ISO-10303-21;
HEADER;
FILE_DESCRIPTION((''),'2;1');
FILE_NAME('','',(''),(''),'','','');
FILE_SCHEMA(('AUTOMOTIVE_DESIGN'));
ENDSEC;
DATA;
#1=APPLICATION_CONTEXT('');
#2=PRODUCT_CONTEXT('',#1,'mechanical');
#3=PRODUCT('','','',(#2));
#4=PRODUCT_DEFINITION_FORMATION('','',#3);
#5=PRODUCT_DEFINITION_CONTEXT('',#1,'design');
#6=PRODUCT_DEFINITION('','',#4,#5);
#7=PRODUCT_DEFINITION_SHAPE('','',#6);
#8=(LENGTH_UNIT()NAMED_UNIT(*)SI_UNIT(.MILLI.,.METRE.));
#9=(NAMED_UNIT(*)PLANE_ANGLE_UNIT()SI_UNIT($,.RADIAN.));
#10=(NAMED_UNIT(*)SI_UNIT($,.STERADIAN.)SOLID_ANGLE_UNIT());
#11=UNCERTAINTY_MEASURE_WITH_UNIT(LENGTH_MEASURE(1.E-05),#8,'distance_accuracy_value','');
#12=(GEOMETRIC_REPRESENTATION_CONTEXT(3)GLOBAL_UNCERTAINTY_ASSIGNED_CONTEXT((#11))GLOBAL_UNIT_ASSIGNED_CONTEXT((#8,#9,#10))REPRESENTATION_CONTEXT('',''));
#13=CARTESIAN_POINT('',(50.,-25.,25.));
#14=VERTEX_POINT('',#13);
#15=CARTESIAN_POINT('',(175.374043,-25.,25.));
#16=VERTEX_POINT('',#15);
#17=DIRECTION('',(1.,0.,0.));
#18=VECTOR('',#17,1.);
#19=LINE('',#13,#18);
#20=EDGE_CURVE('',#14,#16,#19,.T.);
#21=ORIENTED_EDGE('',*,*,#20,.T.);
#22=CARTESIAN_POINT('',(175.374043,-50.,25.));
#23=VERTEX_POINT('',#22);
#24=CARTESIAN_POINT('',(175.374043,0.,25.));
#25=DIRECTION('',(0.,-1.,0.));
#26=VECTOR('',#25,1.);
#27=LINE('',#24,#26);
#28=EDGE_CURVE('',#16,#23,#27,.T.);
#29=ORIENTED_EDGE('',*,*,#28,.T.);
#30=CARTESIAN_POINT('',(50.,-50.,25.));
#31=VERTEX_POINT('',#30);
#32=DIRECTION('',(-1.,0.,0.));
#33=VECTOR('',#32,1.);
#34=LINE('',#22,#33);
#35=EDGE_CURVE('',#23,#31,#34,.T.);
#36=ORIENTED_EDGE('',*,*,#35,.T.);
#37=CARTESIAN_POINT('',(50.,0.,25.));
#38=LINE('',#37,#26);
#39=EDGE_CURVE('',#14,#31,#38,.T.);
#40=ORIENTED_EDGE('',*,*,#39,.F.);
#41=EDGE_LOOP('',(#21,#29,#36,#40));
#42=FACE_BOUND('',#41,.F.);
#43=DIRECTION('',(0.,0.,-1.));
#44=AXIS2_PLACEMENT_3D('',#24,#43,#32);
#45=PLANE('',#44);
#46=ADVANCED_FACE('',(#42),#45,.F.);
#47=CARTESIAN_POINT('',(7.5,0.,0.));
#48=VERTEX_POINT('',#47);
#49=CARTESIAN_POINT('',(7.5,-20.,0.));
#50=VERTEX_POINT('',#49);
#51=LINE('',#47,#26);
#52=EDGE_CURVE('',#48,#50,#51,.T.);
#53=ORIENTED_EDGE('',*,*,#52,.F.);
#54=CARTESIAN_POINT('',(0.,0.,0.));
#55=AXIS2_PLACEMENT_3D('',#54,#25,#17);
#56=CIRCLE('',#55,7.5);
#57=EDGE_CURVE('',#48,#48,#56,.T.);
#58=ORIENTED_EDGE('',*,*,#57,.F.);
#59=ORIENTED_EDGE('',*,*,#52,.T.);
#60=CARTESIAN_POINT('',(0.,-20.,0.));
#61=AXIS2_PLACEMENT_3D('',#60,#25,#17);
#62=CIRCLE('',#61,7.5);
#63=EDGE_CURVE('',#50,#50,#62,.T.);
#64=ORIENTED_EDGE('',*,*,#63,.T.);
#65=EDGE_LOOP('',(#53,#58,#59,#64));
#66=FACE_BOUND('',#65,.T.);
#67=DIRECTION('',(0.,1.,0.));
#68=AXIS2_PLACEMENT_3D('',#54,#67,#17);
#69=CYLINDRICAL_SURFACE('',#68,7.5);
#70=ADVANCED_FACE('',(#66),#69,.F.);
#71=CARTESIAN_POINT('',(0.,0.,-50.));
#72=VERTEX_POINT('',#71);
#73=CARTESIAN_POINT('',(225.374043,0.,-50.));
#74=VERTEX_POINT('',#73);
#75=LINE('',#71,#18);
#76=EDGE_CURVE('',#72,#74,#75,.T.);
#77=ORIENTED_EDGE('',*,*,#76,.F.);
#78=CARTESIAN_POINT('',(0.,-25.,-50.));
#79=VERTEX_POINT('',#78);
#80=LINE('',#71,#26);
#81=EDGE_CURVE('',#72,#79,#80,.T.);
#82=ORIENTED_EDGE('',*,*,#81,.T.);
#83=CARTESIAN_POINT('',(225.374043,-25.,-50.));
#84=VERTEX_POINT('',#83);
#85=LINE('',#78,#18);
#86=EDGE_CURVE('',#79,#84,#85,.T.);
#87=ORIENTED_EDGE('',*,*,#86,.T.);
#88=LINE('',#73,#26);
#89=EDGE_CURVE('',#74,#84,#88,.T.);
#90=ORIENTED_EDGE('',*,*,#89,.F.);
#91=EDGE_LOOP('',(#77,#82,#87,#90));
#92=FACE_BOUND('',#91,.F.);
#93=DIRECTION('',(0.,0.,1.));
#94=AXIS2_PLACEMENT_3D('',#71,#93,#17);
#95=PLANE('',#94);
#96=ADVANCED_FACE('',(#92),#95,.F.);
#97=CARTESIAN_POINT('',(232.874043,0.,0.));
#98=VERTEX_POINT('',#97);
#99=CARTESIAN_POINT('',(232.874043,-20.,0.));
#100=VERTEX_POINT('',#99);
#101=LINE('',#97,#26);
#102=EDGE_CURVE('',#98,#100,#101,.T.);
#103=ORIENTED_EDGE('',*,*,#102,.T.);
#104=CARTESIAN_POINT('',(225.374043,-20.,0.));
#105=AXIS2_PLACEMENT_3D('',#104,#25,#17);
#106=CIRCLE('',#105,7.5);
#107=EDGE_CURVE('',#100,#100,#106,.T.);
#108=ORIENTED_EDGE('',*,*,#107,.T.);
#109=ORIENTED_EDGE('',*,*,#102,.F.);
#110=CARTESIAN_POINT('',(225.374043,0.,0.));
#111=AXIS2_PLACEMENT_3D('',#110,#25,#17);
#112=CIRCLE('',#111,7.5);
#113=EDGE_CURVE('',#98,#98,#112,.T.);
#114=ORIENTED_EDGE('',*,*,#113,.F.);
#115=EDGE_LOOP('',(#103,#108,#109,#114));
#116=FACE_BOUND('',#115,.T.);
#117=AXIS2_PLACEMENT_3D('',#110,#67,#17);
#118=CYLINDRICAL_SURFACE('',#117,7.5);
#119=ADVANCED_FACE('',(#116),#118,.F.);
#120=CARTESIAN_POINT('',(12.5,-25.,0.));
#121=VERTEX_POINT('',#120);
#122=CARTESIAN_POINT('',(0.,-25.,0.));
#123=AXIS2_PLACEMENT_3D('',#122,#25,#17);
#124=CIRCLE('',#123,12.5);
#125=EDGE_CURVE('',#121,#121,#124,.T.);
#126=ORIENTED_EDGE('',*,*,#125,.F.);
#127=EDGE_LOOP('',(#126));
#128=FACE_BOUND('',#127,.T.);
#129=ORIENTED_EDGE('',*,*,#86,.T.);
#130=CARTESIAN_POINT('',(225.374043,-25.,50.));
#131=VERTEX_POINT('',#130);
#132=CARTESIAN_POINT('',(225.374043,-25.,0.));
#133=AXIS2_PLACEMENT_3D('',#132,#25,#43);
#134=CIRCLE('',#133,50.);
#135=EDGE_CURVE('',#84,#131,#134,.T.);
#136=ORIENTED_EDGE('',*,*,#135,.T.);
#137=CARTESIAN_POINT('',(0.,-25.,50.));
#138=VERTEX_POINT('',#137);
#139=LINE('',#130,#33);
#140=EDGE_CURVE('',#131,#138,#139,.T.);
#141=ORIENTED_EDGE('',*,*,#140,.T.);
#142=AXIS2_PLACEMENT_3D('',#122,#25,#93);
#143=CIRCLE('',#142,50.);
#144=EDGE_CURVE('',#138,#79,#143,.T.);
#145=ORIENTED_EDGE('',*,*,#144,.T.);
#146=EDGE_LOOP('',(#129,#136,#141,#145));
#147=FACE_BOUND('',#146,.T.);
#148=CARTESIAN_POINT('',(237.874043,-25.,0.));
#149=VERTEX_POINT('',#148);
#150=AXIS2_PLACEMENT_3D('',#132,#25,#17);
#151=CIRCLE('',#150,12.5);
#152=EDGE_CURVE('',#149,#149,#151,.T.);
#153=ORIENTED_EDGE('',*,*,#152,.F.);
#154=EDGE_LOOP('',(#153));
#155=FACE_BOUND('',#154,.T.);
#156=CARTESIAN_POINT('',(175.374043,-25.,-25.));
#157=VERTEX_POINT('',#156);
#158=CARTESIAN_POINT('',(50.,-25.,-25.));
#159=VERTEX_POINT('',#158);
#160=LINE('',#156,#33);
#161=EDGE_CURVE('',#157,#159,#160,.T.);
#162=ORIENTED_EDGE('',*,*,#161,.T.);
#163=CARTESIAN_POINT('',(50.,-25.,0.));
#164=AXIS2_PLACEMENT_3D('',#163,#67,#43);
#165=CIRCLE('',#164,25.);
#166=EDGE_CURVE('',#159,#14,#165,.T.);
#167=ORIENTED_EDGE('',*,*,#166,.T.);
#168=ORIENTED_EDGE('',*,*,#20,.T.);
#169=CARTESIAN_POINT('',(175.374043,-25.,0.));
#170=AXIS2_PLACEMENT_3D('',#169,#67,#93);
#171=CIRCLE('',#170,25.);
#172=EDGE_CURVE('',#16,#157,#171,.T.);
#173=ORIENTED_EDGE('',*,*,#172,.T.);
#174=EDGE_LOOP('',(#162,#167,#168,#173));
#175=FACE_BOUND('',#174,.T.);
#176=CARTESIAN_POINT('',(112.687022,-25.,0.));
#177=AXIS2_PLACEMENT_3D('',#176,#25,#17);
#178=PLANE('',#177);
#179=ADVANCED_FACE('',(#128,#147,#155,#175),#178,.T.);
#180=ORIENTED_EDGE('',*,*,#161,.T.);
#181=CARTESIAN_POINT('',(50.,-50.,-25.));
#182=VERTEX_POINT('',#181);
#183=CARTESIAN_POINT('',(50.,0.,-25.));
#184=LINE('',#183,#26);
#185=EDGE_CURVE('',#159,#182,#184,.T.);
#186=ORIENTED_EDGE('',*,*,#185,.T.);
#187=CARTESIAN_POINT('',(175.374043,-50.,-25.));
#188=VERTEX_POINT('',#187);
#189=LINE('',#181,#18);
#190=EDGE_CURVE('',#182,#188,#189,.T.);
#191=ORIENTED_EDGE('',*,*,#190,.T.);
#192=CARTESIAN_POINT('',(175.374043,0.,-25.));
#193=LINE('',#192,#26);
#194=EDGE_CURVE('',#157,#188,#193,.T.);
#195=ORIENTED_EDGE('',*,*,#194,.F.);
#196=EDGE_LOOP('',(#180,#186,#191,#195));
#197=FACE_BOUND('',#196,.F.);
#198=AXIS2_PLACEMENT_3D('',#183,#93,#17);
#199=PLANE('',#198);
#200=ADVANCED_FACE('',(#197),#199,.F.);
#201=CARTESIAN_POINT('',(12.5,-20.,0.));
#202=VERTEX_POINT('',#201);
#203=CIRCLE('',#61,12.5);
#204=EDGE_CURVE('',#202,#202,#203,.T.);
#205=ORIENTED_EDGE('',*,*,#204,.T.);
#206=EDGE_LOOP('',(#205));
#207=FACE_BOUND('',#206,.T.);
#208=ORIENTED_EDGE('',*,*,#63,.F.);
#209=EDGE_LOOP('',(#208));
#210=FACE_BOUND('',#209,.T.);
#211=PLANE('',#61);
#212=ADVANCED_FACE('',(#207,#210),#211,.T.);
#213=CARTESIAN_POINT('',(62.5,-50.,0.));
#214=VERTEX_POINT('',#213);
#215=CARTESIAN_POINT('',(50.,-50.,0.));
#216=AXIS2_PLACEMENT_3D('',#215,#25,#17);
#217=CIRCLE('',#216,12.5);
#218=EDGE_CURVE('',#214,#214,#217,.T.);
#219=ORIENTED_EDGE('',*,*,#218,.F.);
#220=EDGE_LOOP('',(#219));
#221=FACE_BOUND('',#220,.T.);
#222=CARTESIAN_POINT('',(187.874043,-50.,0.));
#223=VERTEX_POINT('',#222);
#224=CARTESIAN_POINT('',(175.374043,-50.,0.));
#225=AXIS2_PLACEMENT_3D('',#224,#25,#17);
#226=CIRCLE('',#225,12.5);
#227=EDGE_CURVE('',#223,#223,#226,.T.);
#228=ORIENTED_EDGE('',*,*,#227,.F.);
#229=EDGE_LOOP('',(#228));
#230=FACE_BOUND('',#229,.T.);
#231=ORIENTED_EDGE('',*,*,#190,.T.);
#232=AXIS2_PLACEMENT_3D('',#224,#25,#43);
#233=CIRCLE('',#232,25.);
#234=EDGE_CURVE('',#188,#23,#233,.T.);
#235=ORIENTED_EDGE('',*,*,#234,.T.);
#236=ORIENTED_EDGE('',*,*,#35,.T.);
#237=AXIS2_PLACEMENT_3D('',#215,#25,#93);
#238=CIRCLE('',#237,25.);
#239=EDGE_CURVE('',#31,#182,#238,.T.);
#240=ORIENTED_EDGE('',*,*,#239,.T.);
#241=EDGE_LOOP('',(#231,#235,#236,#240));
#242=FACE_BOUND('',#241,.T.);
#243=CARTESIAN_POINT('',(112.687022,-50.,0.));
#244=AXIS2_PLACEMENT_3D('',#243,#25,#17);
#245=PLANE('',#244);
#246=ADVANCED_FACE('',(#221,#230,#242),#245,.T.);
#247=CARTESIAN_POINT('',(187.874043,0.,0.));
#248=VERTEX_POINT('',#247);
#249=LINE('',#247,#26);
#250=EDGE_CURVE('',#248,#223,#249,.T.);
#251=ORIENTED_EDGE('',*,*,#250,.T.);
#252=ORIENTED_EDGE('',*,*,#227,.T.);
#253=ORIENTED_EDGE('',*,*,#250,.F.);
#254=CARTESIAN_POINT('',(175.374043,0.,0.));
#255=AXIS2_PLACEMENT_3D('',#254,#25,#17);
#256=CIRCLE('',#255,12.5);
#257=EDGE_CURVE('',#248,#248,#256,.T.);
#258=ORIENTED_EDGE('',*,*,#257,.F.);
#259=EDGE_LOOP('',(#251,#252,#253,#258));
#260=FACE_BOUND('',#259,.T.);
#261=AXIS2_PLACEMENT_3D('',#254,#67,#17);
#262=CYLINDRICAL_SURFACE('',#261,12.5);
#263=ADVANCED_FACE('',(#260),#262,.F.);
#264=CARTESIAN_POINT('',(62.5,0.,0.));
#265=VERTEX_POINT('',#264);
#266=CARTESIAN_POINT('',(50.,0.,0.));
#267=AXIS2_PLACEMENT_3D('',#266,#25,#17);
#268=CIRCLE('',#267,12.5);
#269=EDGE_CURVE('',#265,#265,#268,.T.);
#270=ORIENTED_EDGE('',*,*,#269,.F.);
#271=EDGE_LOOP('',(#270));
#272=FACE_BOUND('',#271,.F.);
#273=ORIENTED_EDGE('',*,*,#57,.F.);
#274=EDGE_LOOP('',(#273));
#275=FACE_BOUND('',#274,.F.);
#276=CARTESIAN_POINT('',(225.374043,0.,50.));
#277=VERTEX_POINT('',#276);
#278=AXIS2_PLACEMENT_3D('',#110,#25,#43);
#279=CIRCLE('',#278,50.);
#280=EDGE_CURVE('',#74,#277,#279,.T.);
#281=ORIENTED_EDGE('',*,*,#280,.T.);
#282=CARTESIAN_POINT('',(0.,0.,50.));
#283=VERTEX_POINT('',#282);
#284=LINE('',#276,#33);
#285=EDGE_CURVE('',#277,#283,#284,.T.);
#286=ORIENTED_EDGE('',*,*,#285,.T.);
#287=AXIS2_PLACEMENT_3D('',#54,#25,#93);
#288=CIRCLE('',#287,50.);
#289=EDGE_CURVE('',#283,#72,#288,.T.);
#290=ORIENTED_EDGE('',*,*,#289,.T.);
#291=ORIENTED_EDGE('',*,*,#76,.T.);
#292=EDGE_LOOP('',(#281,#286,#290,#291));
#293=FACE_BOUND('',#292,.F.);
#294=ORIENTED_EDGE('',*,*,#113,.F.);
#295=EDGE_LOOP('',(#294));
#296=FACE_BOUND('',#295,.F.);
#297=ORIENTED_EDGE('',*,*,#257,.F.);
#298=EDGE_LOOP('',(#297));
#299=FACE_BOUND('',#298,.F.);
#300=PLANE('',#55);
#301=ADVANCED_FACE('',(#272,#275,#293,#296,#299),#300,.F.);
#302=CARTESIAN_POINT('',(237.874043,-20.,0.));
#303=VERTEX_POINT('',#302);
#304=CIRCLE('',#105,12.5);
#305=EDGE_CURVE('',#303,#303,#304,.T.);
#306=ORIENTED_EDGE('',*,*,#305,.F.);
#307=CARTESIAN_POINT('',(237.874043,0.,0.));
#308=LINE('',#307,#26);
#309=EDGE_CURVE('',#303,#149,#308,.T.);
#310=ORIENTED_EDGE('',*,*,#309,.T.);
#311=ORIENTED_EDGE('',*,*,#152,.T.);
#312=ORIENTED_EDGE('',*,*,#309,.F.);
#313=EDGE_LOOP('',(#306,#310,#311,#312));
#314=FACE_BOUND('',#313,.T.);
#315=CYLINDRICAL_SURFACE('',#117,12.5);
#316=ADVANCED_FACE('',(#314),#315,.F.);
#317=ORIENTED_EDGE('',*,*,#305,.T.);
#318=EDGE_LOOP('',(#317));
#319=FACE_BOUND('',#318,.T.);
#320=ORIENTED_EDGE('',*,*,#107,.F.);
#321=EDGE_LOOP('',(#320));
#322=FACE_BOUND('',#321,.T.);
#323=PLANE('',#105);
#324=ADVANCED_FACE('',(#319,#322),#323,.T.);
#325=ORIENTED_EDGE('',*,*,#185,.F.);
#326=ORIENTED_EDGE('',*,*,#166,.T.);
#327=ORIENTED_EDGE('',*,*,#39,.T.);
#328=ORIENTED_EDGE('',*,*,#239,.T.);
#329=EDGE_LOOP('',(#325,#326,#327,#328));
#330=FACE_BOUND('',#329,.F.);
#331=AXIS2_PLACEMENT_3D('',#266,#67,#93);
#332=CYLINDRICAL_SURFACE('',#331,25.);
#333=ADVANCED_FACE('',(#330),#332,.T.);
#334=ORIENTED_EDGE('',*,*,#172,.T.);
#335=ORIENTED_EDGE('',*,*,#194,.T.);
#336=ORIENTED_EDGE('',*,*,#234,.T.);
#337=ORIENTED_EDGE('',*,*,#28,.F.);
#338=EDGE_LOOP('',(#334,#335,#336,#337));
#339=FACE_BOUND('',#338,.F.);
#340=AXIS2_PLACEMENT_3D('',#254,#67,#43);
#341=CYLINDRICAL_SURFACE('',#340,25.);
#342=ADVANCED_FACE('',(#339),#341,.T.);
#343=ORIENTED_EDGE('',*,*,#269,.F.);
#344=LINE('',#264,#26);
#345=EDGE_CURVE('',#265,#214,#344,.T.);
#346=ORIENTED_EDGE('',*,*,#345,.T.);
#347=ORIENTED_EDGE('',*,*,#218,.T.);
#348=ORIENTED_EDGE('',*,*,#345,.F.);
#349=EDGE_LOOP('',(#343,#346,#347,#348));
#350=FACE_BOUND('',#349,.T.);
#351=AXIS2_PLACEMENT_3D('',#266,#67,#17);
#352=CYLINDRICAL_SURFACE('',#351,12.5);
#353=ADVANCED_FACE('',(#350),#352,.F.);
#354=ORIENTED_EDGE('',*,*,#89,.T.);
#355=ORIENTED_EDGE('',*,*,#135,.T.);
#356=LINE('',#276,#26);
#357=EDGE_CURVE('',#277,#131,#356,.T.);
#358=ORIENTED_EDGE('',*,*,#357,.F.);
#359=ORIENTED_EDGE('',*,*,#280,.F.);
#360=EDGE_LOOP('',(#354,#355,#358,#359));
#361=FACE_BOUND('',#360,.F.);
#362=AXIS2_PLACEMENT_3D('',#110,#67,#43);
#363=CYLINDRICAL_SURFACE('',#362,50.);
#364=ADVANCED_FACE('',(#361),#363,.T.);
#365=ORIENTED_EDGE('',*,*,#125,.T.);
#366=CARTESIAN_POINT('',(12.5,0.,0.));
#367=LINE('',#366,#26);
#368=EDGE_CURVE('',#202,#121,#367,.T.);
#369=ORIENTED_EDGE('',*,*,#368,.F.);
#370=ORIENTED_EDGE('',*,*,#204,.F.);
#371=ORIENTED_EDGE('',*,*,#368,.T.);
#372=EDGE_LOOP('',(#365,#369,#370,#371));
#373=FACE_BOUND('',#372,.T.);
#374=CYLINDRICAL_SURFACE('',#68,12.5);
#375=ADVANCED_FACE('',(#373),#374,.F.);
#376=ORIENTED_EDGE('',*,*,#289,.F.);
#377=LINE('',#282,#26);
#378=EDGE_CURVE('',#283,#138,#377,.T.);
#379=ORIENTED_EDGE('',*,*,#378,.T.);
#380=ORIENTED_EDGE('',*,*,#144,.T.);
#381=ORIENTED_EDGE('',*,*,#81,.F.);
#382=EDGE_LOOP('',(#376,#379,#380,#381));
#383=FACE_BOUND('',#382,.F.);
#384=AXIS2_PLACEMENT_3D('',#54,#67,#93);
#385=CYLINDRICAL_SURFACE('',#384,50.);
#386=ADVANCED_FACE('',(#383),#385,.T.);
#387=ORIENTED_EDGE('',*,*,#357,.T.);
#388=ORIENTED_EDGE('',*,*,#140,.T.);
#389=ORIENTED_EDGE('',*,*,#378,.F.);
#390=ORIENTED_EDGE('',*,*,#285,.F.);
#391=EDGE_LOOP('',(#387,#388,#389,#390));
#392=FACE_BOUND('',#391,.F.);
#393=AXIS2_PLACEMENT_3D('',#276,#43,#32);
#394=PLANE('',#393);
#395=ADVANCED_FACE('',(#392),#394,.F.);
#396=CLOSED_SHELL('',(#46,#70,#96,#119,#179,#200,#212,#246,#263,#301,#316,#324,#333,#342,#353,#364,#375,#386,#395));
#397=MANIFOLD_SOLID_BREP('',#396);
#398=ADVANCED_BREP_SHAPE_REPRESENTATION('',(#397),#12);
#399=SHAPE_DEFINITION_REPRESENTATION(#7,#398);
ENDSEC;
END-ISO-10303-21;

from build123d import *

# Parameters (mm, degrees)
F0_R     = 12.5
F1_DEPTH = 50
F2_DEPTH = 25
F0_R_2   = 7.5
F3_DEPTH = 20


with BuildPart() as f1:
    # F0 (on Front) → F1 (new body)
    with BuildSketch(Plane.XZ):
        with BuildLine():
            Line((175.374043, 25), (50, 25))
            ThreePointArc((50, 25), (25, 0), (50, -25))
            Line((50, -25), (175.374043, -25))
            ThreePointArc((175.374043, -25), (200.374043, 0), (175.374043, 25))
        make_face()
        with Locations((50, 0)):
            Circle(F0_R, mode=Mode.SUBTRACT)
        with Locations((175.374043, 0)):
            Circle(F0_R, mode=Mode.SUBTRACT)
    extrude(amount=F1_DEPTH)

    # F0 (on Front) → F2 (join)
    with BuildSketch(Plane.XZ):
        with BuildLine():
            Line((225.374043, 50), (0, 50))
            ThreePointArc((0, 50), (-50, 0), (0, -50))
            Line((0, -50), (225.374043, -50))
            ThreePointArc((225.374043, -50), (275.374043, 0), (225.374043, 50))
        make_face()
        Circle(F0_R, mode=Mode.SUBTRACT)
        with BuildLine():
            ThreePointArc((50, -25), (25, 0), (50, 25))
            Line((50, 25), (175.374043, 25))
            ThreePointArc((175.374043, 25), (200.374043, 0), (175.374043, -25))
            Line((175.374043, -25), (50, -25))
        make_face(mode=Mode.SUBTRACT)
        with Locations((225.374043, 0)):
            Circle(F0_R, mode=Mode.SUBTRACT)
    extrude(amount=F2_DEPTH)

    # F0 (on Front) → F3 (join)
    with BuildSketch(Plane.XZ):
        Circle(F0_R)
        Circle(F0_R_2, mode=Mode.SUBTRACT)
        with Locations((225.374043, 0)):
            Circle(F0_R)
        with Locations((225.374043, 0)):
            Circle(F0_R_2, mode=Mode.SUBTRACT)
    extrude(amount=F3_DEPTH)


solid = f1.part
